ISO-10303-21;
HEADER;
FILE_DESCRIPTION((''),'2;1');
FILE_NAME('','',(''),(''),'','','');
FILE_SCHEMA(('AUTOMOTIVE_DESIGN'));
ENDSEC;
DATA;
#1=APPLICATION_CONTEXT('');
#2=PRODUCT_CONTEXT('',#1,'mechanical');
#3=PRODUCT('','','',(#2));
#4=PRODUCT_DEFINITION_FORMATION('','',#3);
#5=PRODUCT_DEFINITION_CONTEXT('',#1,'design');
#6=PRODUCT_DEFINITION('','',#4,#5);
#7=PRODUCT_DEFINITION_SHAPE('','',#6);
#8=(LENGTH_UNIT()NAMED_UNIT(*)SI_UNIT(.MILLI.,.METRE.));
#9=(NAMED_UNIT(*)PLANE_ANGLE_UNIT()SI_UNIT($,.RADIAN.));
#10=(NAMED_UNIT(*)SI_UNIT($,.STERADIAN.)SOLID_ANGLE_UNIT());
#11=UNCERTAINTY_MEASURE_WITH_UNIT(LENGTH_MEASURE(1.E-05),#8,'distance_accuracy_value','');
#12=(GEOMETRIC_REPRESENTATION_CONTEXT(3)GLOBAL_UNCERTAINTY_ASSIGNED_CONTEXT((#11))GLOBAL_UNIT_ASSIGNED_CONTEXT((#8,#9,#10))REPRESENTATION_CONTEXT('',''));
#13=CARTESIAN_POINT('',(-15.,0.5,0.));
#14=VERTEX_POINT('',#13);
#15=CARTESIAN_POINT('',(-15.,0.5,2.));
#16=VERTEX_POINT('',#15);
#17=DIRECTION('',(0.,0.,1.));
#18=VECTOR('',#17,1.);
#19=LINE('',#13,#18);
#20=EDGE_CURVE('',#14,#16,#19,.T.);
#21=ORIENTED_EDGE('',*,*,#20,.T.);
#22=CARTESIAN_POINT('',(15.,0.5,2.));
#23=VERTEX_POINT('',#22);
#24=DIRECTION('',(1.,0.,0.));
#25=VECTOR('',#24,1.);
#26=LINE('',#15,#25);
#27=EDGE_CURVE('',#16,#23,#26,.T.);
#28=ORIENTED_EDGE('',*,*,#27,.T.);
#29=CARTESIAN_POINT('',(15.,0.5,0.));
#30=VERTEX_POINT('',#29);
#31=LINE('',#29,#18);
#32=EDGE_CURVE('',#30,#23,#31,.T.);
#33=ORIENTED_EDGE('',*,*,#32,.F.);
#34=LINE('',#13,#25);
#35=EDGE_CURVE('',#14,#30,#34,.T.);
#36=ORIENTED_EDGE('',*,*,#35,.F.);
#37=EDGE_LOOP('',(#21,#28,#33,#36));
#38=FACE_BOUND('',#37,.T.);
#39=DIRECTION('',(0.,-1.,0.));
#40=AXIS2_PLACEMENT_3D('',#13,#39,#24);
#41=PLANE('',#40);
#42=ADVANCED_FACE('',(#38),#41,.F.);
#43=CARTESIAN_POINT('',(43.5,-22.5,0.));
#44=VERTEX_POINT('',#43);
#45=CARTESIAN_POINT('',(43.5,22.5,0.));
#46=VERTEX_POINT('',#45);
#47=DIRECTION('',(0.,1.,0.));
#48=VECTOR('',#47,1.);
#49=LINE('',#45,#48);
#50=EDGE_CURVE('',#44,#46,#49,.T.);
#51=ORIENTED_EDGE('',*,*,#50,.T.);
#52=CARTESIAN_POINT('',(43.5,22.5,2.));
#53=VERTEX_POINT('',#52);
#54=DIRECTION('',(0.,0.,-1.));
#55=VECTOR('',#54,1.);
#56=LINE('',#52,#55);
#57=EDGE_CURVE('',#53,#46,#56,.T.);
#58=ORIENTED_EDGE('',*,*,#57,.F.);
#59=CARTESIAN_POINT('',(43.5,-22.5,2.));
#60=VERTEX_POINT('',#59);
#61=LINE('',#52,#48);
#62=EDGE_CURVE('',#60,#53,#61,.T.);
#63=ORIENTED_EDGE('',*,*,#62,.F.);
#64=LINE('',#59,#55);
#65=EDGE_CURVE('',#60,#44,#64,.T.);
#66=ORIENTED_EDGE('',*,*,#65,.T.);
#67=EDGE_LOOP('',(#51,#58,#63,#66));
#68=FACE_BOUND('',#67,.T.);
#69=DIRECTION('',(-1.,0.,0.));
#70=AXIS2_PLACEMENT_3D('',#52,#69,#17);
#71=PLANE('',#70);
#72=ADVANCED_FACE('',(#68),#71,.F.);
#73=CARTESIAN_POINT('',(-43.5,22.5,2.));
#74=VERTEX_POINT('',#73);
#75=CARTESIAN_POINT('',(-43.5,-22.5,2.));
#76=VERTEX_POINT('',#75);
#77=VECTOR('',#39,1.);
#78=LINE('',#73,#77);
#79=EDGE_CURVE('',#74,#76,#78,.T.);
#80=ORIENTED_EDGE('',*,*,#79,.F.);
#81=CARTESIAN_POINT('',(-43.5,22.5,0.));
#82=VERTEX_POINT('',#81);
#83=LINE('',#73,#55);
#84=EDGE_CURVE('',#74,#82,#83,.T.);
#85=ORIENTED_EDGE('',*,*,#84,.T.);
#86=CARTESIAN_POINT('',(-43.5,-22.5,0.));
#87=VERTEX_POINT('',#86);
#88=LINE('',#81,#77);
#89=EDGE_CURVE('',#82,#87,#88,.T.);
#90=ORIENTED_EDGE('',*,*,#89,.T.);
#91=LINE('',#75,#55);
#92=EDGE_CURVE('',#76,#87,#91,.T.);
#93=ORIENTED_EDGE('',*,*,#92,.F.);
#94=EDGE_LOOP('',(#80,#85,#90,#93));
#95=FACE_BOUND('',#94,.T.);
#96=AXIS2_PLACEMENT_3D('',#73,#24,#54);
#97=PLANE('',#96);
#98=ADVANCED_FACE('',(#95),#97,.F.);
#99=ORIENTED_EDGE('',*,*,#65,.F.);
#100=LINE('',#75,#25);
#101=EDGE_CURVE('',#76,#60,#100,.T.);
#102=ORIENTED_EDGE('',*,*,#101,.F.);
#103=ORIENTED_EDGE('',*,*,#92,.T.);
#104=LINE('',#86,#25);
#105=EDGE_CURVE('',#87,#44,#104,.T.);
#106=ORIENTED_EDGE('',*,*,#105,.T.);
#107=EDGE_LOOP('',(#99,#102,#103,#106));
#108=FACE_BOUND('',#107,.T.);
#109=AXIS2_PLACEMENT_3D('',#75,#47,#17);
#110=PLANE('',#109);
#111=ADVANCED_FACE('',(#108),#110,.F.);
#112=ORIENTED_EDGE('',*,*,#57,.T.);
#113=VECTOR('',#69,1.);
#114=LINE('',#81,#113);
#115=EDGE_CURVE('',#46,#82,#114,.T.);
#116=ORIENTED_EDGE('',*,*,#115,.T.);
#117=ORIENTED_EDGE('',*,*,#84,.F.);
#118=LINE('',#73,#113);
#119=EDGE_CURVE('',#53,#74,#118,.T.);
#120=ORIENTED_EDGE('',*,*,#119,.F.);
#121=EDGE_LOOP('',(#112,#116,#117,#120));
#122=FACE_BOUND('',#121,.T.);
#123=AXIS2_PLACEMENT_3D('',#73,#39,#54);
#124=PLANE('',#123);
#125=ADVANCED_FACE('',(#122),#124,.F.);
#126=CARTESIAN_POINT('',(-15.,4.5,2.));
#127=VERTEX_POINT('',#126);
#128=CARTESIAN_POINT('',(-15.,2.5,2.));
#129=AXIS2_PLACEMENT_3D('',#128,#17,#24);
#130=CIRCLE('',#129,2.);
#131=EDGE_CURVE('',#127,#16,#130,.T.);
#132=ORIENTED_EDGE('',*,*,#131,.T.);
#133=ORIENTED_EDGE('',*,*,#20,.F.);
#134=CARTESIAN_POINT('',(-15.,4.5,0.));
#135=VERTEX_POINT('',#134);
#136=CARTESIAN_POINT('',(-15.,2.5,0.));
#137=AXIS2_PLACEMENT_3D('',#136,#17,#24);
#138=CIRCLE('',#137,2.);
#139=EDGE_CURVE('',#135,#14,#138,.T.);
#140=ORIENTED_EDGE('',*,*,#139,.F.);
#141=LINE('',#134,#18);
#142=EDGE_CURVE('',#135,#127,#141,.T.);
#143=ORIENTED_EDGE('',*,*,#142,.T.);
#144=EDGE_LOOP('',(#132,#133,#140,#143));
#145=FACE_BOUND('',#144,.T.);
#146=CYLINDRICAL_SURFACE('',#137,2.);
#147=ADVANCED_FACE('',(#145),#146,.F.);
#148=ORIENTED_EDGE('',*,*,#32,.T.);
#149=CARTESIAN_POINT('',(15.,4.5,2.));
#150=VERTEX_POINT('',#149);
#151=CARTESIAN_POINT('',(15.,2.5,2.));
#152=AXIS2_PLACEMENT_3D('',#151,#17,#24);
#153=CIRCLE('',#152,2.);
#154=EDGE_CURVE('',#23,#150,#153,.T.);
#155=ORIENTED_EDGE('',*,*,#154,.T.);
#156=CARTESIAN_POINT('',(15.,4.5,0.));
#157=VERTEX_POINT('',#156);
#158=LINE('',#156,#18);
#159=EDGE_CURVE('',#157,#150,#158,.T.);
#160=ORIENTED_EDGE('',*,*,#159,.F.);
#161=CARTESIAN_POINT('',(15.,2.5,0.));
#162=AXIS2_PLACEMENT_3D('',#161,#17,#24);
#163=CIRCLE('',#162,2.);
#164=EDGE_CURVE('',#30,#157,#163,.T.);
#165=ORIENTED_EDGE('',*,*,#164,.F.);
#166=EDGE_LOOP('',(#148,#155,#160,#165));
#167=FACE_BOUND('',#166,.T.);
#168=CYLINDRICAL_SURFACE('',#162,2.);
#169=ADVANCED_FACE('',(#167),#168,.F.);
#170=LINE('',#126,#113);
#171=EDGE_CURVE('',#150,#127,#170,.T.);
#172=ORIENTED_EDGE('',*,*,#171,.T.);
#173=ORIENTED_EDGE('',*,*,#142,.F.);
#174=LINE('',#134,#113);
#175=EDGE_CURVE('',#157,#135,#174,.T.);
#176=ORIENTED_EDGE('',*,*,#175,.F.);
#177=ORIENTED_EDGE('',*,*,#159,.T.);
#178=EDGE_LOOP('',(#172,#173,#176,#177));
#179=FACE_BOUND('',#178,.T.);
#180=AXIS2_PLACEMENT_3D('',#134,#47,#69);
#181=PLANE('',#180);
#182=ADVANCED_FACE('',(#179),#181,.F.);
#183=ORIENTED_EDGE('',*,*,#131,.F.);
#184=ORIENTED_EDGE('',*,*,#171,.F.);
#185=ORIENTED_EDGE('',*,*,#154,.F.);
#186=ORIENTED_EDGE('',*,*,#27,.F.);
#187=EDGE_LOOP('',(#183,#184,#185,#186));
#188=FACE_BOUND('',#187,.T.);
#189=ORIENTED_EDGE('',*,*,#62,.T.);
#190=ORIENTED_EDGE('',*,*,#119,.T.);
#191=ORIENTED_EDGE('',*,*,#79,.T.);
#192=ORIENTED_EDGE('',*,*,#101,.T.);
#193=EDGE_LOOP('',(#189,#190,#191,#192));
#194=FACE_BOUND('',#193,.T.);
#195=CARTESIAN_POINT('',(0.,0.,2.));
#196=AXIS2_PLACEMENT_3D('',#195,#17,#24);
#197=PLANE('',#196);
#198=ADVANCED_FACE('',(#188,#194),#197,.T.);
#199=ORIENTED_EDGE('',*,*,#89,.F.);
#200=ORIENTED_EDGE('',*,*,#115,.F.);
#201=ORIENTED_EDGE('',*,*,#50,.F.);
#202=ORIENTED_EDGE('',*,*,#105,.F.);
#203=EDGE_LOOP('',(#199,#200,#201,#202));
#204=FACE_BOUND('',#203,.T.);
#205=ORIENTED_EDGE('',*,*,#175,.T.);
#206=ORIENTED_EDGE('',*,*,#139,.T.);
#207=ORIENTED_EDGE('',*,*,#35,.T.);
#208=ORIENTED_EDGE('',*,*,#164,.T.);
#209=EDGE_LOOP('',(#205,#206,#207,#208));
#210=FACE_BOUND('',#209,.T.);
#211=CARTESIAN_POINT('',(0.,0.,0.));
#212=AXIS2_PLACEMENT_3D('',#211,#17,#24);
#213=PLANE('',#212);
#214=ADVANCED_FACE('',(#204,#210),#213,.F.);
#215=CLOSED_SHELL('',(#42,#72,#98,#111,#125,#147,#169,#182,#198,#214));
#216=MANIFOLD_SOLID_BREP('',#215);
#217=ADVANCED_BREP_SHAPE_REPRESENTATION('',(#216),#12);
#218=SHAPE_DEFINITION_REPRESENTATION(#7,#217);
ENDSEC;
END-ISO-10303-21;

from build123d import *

# Parameters (mm, degrees)
SKETCH1_W           = 87
SKETCH1_H           = 45
BOSS_EXTRUDE1_DEPTH = 2
CUT_EXTRUDE1_DEPTH  = 2


with BuildPart() as part:
    # Sketch1 → Boss-Extrude1 (new body)
    with BuildSketch(Plane.XY):
        Rectangle(SKETCH1_W, SKETCH1_H)
    extrude(amount=BOSS_EXTRUDE1_DEPTH)

    # Sketch2 → Cut-Extrude1 (cut)
    with BuildSketch(Plane.XY.offset(2)):
        with BuildLine():
            Line((-15, 4.5), (15, 4.5))
            ThreePointArc((15, 4.5), (17, 2.5), (15, 0.5))
            Line((15, 0.5), (-15, 0.5))
            ThreePointArc((-15, 0.5), (-17, 2.5), (-15, 4.5))
        make_face()
    extrude(amount=-CUT_EXTRUDE1_DEPTH, mode=Mode.SUBTRACT)


solid = part.part
